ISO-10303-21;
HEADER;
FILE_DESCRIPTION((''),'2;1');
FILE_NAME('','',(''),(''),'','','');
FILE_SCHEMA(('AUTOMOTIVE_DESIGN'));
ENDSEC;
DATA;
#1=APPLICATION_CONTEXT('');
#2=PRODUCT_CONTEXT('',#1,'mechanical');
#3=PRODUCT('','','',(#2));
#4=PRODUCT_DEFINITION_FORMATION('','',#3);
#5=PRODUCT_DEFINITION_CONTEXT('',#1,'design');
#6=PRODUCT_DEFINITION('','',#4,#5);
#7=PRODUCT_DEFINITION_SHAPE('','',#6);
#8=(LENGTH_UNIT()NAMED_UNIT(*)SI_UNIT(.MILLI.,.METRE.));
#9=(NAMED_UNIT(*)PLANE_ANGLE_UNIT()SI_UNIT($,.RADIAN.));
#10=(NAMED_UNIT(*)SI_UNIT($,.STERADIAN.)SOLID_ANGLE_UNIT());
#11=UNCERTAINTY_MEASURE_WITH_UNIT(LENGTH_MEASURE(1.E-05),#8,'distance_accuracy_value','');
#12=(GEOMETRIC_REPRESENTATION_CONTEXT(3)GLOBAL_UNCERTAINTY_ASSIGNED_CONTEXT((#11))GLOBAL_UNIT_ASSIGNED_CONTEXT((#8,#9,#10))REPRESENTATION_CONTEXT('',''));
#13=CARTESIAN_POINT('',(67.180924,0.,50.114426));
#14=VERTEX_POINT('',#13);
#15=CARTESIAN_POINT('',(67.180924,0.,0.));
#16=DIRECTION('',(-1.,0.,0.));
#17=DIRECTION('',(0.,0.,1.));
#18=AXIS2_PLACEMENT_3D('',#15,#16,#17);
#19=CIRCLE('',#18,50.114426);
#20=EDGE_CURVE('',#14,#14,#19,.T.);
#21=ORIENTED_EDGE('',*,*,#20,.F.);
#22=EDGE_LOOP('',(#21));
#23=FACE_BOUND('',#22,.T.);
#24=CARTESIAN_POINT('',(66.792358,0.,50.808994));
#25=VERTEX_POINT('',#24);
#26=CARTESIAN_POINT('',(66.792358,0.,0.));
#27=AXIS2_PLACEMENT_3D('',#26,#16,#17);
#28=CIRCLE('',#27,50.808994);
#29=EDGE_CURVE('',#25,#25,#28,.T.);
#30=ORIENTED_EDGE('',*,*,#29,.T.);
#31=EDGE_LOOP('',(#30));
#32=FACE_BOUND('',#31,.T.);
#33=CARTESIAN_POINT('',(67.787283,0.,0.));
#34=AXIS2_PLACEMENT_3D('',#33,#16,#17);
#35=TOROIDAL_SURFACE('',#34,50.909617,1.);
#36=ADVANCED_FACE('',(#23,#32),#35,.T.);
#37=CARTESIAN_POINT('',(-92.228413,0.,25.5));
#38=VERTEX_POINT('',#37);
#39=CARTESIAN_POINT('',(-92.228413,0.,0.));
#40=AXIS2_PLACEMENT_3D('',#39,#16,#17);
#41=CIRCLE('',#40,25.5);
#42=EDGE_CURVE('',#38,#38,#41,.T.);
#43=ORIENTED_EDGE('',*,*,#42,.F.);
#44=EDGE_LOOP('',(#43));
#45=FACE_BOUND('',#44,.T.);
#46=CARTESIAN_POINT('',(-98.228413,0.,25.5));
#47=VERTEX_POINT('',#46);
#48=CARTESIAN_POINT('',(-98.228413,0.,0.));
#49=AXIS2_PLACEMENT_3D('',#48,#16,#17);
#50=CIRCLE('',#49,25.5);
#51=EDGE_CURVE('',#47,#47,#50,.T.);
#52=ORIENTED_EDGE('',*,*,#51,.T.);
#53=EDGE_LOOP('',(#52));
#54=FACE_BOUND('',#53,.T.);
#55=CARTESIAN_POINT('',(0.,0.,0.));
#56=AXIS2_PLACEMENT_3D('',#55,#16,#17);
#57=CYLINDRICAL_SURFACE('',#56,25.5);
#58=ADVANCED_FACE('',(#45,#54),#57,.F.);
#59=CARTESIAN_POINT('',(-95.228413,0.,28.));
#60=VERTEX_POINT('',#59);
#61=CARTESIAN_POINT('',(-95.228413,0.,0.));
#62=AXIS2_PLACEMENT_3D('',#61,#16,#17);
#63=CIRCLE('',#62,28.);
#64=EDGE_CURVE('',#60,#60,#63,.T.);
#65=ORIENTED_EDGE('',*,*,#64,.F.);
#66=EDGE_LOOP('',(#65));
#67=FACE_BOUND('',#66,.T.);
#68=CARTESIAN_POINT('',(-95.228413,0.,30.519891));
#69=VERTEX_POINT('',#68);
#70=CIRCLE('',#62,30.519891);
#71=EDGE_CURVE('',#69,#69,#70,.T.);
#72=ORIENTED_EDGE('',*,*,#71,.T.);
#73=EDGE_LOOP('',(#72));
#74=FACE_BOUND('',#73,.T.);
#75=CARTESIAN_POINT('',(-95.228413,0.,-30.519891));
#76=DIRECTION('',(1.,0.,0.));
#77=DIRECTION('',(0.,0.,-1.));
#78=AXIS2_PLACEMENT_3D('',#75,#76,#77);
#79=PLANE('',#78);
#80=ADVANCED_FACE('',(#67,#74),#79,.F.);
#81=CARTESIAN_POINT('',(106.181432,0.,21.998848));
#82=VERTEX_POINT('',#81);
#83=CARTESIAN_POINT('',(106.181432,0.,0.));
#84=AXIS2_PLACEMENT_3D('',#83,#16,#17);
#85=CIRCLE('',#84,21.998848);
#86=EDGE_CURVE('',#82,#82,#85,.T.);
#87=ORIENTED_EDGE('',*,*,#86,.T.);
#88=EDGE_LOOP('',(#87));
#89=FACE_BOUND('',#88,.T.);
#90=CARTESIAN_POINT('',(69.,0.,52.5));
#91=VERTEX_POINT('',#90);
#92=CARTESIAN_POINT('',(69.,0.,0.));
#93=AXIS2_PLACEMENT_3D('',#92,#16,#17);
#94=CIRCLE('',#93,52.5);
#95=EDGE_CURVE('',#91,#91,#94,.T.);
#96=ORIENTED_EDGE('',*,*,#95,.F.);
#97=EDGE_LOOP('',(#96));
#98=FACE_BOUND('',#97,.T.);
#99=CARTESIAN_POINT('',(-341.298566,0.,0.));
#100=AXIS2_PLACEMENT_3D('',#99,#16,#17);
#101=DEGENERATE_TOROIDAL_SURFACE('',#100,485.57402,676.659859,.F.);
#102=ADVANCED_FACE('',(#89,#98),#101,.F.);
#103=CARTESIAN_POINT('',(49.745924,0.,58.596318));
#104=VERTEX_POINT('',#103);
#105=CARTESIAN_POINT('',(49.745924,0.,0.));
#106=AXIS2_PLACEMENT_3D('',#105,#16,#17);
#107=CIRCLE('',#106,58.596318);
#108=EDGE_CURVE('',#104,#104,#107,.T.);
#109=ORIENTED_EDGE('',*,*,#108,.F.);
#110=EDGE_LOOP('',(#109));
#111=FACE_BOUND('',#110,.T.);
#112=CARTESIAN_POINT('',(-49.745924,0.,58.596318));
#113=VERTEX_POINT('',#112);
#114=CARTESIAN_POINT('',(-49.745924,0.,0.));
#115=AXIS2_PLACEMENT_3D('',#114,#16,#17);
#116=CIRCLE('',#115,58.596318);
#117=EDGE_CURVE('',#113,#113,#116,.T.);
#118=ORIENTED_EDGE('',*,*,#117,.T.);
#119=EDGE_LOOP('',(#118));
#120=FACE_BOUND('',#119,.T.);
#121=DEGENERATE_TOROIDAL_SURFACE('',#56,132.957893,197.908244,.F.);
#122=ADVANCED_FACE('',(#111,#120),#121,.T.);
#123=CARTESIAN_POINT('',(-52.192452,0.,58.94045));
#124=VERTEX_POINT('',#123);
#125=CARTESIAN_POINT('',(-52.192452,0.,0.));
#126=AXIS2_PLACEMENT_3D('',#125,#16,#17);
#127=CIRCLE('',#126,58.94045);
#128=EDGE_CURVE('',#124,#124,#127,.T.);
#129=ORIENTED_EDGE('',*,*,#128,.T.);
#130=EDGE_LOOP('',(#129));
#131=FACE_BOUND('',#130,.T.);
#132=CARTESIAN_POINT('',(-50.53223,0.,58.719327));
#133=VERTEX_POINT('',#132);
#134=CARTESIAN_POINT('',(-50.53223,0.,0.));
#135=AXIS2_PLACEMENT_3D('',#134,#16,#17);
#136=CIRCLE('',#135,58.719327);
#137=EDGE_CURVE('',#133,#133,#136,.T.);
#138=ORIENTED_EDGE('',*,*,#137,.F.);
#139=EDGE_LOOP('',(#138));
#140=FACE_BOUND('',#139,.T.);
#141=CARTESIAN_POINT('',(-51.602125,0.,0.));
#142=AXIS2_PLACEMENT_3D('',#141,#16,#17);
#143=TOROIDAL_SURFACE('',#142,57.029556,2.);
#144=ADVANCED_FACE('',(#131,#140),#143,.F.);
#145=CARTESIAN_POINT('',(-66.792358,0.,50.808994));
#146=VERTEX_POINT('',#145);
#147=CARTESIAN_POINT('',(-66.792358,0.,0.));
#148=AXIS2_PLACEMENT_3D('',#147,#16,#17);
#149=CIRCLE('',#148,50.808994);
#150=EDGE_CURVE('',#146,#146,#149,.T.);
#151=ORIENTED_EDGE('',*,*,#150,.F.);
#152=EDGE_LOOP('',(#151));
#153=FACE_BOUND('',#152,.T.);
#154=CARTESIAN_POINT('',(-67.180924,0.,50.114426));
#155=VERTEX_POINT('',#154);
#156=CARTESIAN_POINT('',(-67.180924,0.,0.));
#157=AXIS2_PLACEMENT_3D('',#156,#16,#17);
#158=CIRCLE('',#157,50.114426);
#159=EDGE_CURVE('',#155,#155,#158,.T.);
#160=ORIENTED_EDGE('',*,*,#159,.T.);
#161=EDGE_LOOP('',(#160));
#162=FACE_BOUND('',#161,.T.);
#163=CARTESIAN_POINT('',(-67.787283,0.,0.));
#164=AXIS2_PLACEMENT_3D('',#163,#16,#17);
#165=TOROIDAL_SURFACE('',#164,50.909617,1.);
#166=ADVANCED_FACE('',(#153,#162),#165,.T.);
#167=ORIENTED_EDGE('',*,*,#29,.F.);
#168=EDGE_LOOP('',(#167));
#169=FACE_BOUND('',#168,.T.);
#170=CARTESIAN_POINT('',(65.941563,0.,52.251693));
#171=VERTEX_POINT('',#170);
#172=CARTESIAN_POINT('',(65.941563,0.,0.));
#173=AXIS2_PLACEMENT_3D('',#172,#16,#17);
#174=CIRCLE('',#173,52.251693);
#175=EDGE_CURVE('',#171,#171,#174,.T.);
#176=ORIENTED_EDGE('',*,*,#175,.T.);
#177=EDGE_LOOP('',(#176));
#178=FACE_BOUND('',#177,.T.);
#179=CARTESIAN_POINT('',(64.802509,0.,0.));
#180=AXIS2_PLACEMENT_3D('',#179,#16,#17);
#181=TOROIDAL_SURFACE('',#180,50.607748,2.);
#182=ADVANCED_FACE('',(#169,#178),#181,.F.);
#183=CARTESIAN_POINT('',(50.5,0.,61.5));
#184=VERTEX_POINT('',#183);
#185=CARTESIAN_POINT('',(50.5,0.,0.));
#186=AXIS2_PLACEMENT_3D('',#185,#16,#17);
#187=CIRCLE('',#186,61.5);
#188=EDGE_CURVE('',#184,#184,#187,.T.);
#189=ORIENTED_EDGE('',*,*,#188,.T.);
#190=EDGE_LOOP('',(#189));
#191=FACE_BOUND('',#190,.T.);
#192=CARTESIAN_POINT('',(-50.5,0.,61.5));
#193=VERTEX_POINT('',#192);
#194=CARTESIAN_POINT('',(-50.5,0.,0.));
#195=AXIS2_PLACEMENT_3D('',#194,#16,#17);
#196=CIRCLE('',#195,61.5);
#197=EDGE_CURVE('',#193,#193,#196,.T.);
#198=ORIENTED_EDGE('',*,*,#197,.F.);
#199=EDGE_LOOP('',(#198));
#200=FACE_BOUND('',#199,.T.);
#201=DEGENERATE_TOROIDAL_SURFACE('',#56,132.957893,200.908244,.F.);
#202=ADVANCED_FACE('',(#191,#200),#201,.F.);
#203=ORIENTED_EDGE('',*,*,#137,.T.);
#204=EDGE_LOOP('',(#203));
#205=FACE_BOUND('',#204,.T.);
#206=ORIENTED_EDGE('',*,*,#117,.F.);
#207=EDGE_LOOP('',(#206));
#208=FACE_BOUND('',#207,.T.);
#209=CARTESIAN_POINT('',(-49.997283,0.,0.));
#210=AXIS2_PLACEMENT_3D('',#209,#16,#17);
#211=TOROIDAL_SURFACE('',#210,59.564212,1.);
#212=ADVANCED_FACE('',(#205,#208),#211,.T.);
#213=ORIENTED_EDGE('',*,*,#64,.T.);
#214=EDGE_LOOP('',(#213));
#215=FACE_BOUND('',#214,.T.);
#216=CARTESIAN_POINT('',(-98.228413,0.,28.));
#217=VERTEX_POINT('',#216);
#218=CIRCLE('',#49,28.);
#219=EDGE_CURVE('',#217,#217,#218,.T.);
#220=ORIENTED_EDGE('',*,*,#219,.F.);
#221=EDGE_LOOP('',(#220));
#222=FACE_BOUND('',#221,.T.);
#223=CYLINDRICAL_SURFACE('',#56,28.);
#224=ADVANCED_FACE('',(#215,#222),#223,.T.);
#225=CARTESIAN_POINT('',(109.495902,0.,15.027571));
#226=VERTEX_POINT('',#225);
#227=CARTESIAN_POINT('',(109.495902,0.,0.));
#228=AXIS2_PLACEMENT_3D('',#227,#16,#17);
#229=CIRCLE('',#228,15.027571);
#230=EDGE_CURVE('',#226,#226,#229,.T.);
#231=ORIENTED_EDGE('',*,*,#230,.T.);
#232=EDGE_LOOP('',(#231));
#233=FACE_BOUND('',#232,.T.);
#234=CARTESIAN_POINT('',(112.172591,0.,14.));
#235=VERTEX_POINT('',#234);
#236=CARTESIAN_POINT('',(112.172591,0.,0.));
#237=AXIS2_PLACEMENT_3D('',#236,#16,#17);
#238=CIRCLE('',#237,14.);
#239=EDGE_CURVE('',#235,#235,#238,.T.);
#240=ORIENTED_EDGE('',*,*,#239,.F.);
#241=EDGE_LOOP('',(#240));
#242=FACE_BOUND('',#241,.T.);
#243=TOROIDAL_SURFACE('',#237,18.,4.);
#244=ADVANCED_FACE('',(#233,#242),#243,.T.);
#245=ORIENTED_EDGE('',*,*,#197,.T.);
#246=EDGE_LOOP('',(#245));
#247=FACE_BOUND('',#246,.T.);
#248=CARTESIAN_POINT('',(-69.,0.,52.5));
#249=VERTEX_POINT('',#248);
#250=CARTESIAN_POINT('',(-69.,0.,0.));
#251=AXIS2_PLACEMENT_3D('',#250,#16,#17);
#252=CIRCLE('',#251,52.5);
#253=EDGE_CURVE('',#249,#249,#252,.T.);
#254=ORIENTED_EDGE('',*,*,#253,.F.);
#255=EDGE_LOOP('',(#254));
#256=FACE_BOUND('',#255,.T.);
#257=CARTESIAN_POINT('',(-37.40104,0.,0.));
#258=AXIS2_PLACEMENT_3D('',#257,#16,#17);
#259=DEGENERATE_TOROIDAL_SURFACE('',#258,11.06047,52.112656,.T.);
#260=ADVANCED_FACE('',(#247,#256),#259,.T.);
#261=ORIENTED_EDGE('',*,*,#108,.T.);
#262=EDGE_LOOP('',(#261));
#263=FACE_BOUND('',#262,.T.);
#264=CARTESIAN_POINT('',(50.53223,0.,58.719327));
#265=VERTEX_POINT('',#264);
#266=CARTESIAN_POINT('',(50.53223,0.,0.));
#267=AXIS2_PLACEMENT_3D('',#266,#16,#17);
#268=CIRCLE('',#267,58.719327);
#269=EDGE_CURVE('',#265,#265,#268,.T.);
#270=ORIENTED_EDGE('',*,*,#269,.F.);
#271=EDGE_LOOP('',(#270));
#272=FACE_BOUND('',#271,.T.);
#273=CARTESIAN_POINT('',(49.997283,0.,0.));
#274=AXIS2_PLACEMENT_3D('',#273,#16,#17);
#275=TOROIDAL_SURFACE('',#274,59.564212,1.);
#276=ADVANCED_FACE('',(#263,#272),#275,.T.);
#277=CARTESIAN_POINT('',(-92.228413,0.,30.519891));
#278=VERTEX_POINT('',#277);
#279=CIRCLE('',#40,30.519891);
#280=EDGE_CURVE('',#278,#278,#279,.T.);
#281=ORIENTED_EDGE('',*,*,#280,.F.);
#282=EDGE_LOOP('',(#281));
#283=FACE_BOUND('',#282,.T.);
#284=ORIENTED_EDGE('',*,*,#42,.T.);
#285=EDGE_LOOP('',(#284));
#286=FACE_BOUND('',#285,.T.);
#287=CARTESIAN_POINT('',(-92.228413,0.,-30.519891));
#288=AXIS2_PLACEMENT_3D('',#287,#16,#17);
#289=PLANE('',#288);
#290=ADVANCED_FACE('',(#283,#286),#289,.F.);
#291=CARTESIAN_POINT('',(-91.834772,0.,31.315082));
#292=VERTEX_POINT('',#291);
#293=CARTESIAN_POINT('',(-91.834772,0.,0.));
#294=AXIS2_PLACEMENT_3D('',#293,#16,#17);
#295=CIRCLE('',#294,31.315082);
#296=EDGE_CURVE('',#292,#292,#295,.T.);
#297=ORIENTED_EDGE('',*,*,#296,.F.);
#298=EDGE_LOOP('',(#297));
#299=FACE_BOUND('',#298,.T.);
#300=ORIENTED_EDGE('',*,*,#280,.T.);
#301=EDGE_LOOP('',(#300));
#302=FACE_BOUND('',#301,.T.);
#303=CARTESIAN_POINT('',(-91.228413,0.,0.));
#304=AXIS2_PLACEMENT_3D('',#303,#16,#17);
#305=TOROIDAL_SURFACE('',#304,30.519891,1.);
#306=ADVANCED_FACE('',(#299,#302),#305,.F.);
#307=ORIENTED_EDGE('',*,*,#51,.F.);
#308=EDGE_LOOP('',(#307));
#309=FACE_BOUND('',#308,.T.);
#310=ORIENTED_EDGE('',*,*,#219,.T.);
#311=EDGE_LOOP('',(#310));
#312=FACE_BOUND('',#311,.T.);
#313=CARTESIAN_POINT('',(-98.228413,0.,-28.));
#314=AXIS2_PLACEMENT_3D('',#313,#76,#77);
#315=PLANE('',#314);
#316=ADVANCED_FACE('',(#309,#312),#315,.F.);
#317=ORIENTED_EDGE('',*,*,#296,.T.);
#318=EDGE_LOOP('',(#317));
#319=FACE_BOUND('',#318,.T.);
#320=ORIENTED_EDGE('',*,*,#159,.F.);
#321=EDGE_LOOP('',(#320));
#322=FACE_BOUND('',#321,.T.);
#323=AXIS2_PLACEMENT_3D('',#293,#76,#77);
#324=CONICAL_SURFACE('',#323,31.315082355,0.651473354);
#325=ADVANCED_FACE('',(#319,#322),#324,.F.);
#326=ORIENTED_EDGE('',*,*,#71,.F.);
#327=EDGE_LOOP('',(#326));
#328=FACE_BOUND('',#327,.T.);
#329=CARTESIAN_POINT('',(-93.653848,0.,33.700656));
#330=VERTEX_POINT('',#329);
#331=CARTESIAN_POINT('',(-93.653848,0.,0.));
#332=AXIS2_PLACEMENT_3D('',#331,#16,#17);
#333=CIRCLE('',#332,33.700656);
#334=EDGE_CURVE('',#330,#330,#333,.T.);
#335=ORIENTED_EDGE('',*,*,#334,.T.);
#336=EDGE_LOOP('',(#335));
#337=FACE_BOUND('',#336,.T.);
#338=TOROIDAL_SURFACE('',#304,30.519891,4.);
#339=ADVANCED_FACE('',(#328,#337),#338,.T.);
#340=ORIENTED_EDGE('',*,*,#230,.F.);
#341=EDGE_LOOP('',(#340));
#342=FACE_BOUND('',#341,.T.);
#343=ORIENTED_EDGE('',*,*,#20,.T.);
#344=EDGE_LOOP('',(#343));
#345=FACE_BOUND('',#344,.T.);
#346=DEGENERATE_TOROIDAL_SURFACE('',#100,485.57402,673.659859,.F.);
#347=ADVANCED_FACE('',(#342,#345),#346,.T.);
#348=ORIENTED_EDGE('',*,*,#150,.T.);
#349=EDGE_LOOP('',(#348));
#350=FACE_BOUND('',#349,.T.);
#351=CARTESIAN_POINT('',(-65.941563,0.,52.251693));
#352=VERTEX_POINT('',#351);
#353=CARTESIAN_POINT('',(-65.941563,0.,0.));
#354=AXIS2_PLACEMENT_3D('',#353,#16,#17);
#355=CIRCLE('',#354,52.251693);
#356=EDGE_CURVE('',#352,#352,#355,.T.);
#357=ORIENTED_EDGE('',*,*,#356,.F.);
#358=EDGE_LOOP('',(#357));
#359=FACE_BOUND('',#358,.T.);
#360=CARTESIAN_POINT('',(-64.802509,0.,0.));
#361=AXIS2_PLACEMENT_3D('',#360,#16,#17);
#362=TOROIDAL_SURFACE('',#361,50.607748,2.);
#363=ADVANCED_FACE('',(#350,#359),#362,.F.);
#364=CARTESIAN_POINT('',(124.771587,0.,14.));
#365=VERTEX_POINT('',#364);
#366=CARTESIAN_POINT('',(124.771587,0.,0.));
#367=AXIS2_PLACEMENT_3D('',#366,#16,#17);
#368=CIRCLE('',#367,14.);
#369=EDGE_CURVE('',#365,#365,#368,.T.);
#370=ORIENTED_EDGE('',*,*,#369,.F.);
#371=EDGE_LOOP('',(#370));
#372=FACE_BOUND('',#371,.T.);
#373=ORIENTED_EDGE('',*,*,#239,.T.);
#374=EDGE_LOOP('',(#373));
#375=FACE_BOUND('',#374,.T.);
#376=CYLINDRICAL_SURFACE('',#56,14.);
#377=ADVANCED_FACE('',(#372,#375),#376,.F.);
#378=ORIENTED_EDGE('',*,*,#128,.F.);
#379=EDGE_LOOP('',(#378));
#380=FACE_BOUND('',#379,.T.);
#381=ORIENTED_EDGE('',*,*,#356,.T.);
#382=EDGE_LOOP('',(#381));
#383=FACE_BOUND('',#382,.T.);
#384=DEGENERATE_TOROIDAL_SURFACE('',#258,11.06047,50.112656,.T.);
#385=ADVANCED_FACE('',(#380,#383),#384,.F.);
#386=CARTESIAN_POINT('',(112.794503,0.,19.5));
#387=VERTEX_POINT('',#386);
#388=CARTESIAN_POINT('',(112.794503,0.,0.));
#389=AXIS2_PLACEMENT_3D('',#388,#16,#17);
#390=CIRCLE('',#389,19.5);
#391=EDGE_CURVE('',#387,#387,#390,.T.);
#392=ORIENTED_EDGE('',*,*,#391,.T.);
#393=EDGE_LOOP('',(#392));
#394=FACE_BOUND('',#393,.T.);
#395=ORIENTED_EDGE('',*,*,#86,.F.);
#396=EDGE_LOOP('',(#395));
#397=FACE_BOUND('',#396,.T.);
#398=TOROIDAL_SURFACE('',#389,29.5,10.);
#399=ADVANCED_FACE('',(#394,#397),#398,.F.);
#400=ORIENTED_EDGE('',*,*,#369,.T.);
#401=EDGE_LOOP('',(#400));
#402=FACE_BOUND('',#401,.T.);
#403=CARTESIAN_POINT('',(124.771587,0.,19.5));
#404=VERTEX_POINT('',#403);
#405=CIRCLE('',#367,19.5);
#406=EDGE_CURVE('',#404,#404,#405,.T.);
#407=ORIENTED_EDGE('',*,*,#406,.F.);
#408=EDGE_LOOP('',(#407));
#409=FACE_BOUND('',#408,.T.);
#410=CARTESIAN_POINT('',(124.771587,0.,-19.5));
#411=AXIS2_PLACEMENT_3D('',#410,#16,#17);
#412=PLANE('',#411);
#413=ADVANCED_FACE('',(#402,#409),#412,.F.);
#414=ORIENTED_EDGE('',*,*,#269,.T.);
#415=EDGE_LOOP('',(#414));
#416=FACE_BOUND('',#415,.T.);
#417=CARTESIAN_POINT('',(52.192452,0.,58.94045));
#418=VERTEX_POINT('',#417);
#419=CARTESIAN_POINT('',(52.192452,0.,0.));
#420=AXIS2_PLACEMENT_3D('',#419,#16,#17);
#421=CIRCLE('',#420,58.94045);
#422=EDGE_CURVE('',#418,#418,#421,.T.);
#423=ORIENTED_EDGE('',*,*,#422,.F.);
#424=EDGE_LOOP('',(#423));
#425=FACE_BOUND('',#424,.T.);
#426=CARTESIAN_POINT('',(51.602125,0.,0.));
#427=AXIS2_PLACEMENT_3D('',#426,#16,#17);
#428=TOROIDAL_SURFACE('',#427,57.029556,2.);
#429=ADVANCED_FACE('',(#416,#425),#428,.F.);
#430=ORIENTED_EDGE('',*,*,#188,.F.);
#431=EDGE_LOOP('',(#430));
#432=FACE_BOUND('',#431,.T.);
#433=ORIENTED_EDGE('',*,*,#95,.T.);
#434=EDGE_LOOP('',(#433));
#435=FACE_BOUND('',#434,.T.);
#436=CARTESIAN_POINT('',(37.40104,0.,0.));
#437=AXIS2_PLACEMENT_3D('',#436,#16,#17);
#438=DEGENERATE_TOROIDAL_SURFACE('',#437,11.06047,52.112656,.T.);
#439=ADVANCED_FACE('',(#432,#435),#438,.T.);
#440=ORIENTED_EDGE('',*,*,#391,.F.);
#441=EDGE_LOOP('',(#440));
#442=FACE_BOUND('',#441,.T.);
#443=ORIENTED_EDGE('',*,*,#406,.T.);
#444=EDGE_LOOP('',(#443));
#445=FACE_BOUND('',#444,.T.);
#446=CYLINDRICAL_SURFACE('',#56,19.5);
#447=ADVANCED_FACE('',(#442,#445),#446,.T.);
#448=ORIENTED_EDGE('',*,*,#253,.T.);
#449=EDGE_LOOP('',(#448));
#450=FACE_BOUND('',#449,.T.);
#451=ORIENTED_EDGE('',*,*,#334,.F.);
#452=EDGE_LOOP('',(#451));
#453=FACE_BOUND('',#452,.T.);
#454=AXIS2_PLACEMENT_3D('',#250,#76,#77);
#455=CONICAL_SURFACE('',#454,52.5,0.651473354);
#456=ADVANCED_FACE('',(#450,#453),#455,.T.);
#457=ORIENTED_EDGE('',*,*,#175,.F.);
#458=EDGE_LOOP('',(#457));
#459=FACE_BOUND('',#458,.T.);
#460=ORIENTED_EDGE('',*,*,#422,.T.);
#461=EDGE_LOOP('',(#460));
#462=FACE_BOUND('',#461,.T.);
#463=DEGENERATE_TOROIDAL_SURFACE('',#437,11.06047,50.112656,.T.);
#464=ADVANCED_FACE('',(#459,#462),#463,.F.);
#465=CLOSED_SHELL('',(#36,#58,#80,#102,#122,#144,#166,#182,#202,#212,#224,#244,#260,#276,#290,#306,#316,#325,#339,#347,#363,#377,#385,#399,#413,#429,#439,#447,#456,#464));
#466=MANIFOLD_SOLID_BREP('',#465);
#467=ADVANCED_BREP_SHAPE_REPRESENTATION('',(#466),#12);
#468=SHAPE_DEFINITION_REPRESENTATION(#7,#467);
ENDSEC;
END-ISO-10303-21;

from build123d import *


with BuildPart() as part:
    # Sketch1 → Revolve1 (revolve)
    with BuildSketch(Plane(origin=(0, 0, 0), x_dir=(1, 0, 0), z_dir=(0, 1, 0))):
        with BuildLine():
            Line((-69, 52.5), (-93.653848, 33.700656198))
            ThreePointArc((-93.653848, 33.700656198), (-94.813224268, 32.294470097), (-95.228413353, 30.519891074))
            Line((-95.228413353, 30.519891074), (-95.228413353, 28))
            Line((-95.228413353, 28), (-98.228413353, 28))
            Line((-98.228413353, 28), (-98.228413353, 25.5))
            Line((-98.228413353, 25.5), (-92.228413353, 25.5))
            Line((-92.228413353, 25.5), (-92.228413353, 30.519891074))
            ThreePointArc((-92.228413353, 30.519891074), (-92.124616082, 30.96353583), (-91.834772015, 31.315082355))
            Line((-91.834772015, 31.315082355), (-67.180924015, 50.114426157))
            ThreePointArc((-67.180924015, 50.114426157), (-66.914566676, 50.421389231), (-66.792358074, 50.808994208))
            ThreePointArc((-66.792358074, 50.808994208), (-66.525255026, 51.623693453), (-65.941563391, 52.251692636))
            ThreePointArc((-65.941563391, 52.251692636), (-59.323608703, 56.123529001), (-52.192451771, 58.940449641))
            ThreePointArc((-52.192451771, 58.940449641), (-51.338079255, 59.012049234), (-50.532230419, 58.719326581))
            ThreePointArc((-50.532230419, 58.719326581), (-50.151841866, 58.576228328), (-49.745924422, 58.596317851))
            ThreePointArc((-49.745924422, 58.596317851), (0, 64.950350095), (49.745924422, 58.596317851))
            ThreePointArc((49.745924422, 58.596317851), (50.151841866, 58.576228328), (50.532230419, 58.719326581))
            ThreePointArc((50.532230419, 58.719326581), (51.338079255, 59.012049234), (52.192451771, 58.940449641))
            ThreePointArc((52.192451771, 58.940449641), (59.323608703, 56.123529001), (65.941563391, 52.251692636))
            ThreePointArc((65.941563391, 52.251692636), (66.525255026, 51.623693453), (66.792358074, 50.808994208))
            ThreePointArc((66.792358074, 50.808994208), (66.914566676, 50.421389231), (67.180924015, 50.114426157))
            ThreePointArc((67.180924015, 50.114426157), (88.69644056, 33.002781854), (109.495902182, 15.027570612))
            ThreePointArc((109.495902182, 15.027570612), (110.739014719, 14.265718439), (112.172591094, 14))
            Line((112.172591094, 14), (124.771586647, 14))
            Line((124.771586647, 14), (124.771586647, 19.5))
            Line((124.771586647, 19.5), (112.794503003, 19.5))
            ThreePointArc((112.794503003, 19.5), (109.25978401, 20.145548565), (106.181431573, 21.998847671))
            ThreePointArc((106.181431573, 21.998847671), (87.861772457, 37.579846599), (69, 52.5))
            ThreePointArc((69, 52.5), (60.198540141, 57.921999179), (50.5, 61.5))
            ThreePointArc((50.5, 61.5), (0, 67.950350095), (-50.5, 61.5))
            ThreePointArc((-50.5, 61.5), (-60.198540141, 57.921999179), (-69, 52.5))
        make_face()
    revolve(axis=Axis((0, 0, 0), (1, 0, 0)))


solid = part.part
